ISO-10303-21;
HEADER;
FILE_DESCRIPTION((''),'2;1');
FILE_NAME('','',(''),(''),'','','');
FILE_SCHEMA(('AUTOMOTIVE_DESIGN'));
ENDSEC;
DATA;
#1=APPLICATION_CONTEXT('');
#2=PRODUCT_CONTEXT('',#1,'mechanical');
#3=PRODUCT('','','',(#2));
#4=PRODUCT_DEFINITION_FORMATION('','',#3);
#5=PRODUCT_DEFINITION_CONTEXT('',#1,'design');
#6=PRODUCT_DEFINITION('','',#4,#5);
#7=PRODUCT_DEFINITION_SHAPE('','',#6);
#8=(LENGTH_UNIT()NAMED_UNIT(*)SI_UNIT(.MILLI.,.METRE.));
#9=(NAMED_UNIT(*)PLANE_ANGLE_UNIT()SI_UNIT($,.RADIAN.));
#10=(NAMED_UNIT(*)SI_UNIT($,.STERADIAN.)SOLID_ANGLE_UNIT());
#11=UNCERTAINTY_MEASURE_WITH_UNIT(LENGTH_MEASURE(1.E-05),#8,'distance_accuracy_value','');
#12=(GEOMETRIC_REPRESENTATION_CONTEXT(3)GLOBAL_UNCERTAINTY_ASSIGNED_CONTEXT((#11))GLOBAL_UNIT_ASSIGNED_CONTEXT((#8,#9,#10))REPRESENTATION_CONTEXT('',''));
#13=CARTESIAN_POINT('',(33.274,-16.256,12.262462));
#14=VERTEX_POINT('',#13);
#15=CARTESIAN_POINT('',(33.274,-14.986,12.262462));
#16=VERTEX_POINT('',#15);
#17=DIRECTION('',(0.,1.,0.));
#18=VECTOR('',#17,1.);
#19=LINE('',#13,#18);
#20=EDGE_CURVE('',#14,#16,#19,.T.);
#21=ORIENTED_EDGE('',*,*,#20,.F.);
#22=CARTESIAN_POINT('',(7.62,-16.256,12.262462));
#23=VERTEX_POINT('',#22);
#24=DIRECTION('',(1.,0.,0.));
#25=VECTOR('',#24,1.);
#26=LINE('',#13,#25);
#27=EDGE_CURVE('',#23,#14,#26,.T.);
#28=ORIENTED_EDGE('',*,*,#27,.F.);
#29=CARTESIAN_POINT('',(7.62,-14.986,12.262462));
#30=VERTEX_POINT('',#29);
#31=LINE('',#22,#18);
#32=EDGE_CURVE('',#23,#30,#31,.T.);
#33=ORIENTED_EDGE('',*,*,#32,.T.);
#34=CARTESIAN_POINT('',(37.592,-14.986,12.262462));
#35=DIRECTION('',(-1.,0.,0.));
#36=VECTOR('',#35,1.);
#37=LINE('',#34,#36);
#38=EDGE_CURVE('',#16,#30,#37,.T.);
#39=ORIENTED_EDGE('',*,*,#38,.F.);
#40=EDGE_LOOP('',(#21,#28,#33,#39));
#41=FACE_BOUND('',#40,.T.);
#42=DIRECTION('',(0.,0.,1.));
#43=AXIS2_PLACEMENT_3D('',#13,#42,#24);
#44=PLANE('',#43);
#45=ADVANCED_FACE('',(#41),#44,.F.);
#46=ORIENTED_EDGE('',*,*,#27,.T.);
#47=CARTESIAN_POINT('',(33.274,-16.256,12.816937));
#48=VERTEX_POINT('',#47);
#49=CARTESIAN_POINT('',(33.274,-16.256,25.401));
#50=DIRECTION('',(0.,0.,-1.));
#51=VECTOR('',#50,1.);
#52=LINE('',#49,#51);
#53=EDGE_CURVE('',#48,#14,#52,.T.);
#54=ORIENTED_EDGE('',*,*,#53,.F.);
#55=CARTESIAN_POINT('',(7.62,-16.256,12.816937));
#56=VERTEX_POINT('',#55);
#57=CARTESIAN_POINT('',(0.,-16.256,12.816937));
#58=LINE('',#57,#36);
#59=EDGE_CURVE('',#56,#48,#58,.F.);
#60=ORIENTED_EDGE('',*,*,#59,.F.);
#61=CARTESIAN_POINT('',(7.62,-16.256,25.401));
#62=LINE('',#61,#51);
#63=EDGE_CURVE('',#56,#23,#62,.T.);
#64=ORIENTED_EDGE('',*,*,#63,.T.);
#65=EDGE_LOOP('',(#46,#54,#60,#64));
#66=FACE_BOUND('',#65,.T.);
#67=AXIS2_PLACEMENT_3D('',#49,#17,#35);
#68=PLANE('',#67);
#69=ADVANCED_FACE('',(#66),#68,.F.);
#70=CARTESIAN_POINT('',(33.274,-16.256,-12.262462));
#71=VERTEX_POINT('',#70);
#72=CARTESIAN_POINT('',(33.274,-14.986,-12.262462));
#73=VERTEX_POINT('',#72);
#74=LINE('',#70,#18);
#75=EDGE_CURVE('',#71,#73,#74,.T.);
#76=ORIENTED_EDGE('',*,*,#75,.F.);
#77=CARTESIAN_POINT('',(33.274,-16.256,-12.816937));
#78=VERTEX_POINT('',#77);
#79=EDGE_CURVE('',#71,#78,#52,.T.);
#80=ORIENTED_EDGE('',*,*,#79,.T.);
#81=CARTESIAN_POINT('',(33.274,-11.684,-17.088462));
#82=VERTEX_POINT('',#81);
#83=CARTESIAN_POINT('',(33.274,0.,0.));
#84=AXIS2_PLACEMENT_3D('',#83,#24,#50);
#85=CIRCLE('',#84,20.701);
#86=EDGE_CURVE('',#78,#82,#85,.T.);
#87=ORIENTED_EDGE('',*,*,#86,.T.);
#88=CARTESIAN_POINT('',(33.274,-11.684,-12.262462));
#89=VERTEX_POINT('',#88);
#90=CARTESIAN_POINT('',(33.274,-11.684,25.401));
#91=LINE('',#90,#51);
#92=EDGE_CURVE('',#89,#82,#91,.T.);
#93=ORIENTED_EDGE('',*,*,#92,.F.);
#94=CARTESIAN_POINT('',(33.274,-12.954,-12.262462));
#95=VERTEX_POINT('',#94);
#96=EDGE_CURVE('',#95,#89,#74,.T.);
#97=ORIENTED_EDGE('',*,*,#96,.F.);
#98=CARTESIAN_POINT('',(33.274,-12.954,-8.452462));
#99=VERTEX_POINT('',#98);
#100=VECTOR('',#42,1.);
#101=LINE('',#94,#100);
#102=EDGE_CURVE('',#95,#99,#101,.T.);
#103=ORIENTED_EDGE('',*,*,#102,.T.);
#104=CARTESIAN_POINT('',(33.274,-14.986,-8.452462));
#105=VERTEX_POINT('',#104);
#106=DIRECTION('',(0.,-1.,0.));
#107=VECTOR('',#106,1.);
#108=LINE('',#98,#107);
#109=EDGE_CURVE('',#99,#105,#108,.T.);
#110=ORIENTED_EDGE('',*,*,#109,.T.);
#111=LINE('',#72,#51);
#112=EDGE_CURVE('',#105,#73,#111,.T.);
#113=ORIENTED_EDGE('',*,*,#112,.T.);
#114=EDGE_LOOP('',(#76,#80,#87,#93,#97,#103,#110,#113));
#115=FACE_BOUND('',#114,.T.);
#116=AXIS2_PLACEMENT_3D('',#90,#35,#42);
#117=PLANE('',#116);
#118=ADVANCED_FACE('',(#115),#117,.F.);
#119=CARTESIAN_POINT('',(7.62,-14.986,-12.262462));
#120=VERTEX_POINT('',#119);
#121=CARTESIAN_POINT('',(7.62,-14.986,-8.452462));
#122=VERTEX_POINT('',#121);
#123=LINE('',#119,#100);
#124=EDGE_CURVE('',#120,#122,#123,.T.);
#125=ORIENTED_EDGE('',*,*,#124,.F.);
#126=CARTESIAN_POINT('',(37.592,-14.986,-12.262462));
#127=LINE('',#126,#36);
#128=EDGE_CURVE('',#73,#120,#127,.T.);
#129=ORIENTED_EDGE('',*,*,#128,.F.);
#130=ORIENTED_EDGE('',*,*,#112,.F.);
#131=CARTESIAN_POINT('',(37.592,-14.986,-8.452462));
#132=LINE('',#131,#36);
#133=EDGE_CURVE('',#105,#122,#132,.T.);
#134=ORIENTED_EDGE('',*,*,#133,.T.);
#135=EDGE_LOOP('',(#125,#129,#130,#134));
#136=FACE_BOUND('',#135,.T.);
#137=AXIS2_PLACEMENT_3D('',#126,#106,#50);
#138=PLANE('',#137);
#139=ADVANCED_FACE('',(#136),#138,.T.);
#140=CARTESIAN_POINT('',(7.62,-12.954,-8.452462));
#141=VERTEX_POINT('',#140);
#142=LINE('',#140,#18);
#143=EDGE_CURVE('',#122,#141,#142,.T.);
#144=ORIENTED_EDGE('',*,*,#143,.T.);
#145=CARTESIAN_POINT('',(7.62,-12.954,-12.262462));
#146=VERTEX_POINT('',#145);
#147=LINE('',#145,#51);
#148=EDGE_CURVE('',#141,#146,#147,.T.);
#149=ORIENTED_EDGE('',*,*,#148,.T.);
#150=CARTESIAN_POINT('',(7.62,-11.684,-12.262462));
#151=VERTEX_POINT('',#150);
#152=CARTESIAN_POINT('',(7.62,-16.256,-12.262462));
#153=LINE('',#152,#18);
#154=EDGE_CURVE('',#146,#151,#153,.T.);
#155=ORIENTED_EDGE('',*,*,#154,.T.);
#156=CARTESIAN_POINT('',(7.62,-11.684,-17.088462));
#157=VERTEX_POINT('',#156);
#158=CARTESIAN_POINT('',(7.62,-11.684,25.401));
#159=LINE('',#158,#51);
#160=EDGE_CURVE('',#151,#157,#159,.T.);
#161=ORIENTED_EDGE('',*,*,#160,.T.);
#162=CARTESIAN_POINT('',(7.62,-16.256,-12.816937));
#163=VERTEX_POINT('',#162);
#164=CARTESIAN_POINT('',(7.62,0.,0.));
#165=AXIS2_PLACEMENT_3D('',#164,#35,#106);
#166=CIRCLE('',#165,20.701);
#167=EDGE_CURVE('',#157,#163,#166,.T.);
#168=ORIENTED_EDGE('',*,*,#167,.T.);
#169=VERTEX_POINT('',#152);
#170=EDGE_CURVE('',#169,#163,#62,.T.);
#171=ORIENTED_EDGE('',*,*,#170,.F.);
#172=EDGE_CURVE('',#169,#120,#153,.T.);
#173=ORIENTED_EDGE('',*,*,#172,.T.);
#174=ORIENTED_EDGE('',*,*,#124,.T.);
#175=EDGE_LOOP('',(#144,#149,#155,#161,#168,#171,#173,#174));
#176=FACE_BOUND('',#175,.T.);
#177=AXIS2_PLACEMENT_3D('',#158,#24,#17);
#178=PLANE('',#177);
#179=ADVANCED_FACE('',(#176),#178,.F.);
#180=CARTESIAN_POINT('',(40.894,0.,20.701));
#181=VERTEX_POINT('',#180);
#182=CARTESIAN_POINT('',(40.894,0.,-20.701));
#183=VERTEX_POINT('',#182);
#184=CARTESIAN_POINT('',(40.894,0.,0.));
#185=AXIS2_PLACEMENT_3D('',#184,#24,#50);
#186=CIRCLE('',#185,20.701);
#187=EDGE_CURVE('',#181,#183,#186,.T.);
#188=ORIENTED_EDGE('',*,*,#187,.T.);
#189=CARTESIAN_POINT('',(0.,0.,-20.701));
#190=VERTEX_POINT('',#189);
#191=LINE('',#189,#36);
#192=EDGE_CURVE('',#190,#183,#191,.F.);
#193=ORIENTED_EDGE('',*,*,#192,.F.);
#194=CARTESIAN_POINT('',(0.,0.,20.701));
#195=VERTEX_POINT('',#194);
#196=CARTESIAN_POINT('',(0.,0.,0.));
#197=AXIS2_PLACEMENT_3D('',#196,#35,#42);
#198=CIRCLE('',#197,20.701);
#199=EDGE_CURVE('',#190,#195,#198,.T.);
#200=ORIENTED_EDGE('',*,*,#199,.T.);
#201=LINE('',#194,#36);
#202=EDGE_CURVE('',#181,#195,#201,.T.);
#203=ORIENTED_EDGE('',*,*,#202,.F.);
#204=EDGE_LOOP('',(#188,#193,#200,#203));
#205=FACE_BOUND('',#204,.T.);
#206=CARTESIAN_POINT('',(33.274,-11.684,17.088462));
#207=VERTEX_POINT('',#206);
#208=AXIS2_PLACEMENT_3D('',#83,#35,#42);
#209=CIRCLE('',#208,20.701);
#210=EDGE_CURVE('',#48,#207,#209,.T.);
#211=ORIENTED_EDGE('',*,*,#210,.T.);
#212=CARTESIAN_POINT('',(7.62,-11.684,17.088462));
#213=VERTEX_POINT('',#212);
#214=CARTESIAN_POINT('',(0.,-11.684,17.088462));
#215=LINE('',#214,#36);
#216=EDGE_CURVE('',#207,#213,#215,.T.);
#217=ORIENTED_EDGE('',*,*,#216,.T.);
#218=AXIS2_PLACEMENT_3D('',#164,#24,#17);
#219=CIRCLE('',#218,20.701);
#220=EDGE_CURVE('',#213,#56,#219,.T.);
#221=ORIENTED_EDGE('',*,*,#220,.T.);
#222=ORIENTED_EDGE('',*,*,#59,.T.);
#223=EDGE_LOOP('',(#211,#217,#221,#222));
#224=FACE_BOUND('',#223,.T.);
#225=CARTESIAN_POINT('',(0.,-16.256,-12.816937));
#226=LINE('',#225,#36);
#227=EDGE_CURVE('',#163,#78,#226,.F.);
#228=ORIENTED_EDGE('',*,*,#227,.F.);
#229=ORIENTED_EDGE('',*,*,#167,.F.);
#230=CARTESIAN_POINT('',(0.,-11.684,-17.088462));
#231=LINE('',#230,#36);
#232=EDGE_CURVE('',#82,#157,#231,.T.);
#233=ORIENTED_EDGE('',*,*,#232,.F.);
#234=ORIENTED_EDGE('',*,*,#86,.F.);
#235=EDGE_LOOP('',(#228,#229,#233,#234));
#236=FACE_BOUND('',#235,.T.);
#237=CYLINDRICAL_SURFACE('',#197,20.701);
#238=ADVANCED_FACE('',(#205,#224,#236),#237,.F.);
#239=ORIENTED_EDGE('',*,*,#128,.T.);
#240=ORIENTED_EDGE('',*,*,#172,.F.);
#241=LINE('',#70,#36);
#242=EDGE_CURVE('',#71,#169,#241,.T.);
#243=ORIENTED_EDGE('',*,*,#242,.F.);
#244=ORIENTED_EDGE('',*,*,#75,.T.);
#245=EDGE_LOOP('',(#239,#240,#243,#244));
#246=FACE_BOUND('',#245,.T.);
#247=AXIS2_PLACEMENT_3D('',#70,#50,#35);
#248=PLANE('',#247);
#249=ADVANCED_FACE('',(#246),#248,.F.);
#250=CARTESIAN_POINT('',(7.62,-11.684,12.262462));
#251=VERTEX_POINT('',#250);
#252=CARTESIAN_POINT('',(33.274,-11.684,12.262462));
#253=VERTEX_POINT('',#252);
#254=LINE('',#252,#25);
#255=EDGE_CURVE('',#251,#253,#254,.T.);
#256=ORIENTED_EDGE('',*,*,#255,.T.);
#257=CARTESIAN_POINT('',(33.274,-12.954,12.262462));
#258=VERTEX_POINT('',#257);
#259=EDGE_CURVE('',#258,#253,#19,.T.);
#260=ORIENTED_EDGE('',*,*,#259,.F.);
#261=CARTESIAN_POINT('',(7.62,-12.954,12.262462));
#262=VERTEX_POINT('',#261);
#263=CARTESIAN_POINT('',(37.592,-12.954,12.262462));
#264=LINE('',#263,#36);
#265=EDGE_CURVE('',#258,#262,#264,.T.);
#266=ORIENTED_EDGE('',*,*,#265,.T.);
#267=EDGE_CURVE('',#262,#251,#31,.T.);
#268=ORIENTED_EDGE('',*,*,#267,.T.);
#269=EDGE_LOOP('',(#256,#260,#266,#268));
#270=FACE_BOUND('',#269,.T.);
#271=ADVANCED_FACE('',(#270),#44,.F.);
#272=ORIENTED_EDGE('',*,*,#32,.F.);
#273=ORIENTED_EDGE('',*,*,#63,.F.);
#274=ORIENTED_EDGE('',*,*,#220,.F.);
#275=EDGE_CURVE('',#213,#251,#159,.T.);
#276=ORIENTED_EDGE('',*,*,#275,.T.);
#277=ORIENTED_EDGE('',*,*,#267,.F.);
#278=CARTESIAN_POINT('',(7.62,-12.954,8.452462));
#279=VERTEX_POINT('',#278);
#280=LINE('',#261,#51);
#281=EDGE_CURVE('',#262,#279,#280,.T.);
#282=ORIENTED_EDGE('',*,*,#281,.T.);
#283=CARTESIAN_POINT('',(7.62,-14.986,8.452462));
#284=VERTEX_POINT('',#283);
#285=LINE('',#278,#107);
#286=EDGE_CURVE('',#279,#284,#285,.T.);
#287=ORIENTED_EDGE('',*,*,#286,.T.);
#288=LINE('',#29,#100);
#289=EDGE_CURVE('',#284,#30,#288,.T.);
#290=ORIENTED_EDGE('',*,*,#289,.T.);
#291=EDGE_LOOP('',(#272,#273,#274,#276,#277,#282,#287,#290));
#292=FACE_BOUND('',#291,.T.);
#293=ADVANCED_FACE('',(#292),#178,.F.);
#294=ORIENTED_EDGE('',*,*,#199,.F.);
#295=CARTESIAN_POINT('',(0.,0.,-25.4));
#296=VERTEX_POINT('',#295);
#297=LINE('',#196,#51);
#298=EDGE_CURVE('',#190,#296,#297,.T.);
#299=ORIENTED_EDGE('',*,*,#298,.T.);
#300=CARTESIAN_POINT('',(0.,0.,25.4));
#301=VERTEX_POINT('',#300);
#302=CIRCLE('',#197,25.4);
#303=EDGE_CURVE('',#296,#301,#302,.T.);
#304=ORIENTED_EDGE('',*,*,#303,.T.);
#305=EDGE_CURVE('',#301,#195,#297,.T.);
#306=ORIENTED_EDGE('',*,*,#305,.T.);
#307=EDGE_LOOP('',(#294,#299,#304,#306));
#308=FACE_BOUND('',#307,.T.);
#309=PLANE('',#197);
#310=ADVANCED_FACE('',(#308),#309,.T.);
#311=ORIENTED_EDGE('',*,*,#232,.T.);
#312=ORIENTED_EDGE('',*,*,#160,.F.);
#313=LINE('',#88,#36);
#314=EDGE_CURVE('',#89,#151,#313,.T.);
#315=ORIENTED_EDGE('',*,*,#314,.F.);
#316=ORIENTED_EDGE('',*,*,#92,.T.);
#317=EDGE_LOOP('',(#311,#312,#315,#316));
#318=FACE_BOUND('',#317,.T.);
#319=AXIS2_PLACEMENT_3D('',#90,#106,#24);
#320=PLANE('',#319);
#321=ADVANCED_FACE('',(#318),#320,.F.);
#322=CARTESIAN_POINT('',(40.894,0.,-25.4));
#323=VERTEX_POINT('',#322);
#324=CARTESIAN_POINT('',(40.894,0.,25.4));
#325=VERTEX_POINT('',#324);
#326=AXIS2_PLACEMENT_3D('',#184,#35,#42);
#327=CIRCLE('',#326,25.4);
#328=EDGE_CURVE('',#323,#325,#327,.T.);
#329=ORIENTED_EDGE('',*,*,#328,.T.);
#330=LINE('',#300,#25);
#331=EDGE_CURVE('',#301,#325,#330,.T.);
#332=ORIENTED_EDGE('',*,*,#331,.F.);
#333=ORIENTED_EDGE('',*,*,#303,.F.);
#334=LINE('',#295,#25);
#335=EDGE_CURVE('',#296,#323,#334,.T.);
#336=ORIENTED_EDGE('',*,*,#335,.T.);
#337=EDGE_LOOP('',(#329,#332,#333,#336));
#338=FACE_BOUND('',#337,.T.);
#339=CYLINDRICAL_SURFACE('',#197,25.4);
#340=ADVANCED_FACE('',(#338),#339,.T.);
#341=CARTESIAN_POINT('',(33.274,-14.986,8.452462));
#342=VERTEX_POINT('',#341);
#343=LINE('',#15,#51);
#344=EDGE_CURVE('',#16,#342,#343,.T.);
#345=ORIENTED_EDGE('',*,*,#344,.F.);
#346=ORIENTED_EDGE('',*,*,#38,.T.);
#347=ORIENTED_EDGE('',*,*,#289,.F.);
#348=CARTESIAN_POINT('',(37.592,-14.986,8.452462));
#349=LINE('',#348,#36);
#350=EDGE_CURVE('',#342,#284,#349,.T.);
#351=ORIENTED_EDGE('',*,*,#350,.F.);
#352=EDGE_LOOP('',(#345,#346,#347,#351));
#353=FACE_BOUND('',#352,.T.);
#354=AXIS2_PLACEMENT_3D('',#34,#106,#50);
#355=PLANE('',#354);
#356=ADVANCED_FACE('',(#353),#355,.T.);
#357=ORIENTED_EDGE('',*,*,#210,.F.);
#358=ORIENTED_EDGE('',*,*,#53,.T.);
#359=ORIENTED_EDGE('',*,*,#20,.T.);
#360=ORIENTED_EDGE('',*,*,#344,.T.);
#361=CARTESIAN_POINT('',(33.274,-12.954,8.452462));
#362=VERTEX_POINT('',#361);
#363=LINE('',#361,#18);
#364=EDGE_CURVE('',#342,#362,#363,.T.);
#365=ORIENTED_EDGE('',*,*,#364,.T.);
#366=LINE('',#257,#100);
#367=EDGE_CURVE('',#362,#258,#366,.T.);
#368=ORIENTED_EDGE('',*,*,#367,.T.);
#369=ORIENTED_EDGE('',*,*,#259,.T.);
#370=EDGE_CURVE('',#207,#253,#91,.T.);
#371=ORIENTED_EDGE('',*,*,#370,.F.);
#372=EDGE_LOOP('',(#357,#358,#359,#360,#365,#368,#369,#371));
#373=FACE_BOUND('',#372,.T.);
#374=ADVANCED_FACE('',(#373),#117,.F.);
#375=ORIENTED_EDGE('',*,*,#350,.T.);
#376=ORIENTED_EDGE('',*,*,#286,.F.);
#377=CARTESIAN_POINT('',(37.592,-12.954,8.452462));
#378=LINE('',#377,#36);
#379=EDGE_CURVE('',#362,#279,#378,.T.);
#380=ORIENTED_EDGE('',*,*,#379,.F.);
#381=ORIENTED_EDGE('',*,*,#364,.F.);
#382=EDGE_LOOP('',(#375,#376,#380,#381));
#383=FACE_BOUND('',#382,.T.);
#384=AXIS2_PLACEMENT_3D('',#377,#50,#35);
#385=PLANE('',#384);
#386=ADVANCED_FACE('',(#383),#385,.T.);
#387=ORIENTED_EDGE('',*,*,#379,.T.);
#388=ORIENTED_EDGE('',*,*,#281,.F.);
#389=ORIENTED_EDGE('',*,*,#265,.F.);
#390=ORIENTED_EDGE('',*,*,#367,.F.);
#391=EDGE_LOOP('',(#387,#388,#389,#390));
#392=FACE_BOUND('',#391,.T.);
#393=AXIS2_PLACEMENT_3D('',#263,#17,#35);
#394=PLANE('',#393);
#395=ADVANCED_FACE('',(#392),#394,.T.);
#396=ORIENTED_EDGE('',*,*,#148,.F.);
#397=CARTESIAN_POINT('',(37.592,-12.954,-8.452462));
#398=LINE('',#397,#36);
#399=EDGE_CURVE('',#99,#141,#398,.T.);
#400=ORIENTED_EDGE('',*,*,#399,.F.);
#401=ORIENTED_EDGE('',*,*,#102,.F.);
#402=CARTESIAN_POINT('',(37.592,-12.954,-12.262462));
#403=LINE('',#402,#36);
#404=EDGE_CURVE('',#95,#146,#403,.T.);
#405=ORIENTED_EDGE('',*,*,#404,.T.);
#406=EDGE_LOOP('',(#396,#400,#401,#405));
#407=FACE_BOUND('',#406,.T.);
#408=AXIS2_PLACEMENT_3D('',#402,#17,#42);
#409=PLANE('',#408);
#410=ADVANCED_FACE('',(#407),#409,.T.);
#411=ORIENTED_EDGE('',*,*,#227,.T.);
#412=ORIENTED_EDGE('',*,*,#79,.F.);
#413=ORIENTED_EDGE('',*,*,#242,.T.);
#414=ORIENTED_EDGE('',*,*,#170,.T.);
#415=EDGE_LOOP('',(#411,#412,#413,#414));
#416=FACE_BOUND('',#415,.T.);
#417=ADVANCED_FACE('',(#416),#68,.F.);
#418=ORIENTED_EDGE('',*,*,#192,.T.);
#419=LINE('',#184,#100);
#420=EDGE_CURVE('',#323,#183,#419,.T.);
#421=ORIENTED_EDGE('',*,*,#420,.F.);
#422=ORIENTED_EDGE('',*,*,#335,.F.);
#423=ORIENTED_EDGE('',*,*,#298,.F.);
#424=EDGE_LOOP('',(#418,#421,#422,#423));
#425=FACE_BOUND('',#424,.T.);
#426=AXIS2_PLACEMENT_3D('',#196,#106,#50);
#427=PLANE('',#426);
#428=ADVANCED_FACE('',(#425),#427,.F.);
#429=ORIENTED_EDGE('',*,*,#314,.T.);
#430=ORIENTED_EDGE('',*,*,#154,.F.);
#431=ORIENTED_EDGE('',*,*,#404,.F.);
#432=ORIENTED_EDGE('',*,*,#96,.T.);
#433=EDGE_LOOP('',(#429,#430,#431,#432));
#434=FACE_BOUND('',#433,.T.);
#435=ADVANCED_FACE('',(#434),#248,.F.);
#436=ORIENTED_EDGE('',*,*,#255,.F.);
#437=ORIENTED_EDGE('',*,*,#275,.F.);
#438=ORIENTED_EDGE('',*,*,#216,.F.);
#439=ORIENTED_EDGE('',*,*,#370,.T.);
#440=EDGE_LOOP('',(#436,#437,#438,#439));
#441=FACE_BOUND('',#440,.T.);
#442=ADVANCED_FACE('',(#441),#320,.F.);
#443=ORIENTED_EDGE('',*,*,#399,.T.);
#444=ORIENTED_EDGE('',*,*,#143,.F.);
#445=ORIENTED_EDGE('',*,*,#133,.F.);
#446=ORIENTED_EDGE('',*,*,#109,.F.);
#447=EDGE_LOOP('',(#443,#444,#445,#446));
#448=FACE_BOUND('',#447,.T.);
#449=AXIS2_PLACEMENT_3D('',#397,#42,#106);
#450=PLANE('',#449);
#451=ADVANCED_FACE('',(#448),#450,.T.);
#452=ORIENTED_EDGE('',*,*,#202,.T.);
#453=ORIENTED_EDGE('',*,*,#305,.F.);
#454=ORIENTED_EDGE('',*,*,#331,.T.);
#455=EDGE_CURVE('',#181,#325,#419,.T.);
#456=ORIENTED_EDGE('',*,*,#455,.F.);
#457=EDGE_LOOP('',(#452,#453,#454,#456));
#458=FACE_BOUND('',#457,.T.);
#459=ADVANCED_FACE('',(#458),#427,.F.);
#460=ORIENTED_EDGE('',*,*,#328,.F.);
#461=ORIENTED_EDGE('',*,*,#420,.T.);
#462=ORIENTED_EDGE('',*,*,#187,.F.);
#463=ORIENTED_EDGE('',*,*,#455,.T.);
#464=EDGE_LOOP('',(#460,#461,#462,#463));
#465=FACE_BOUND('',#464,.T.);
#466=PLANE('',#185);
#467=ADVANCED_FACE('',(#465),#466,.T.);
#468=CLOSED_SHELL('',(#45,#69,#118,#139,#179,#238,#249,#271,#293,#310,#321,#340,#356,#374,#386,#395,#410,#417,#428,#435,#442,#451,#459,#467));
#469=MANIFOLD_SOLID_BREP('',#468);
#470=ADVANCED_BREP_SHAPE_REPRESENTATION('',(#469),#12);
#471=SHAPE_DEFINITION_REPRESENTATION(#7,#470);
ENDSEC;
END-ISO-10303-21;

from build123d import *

# Parameters (mm, degrees)
SKETCH1_W                       = 40.894
SKETCH1_H                       = 25.4
REVOLVE1_ANGLE                  = 180
BOSS_EXTRUDE1_REACH             = 27.4
SKETCH3_W                       = 25.654
SKETCH3_H                       = 4.572
BOSS_EXTRUDE1_DIRECTION_2_REACH = 27.4
SKETCH4_W                       = 25.654
SKETCH4_H                       = 24.524924672
CUT_EXTRUDE1_DEPTH              = 4.572
SKETCH5_W                       = 3.81
SKETCH5_H                       = 2.032
BOSS_EXTRUDE2_DEPTH             = 25.654


with BuildPart() as part:
    # Sketch1 → Revolve1 (revolve)
    with BuildSketch(Plane(origin=(0, 0, 0), x_dir=(1, 0, 0), z_dir=(0, 1, 0))):
        with Locations((20.447, -12.7)):
            Rectangle(SKETCH1_W, SKETCH1_H)
    revolve(axis=Axis((0, 0, 0), (1, 0, 0)), revolution_arc=REVOLVE1_ANGLE)

    # Sketch2 → Cut-Revolve1 (revolve, cut)
    with BuildSketch(Plane(origin=(0, 0, 0), x_dir=(1, 0, 0), z_dir=(0, 1, 0))):
        Polygon((0, 0), (41.402, 0), (41.402, -20.701), (40.132, -20.701), (1.27, -20.701), (0, -20.701), align=None)
    revolve(axis=Axis((0, 0, 0), (1, 0, 0)), mode=Mode.SUBTRACT)

    # Sketch3 → Boss-Extrude1 (add, up to next)
    with BuildSketch(Plane.XY, mode=Mode.PRIVATE) as boss_extrude1_sk1:
        with Locations((20.447, -13.97)):
            Rectangle(SKETCH3_W, SKETCH3_H)
    boss_extrude1_tool1 = extrude(boss_extrude1_sk1.sketch, amount=BOSS_EXTRUDE1_REACH, mode=Mode.PRIVATE) - part.part
    add(boss_extrude1_tool1.solids().sort_by_distance((20.447, -13.97, 0))[0])

    # Sketch3 → Boss-Extrude1 direction 2 (add, up to next)
    with BuildSketch(Plane.XY, mode=Mode.PRIVATE) as boss_extrude1_direction_2_sk1:
        with Locations((20.447, -13.97)):
            Rectangle(SKETCH3_W, SKETCH3_H)
    boss_extrude1_direction_2_tool1 = extrude(boss_extrude1_direction_2_sk1.sketch, amount=-BOSS_EXTRUDE1_DIRECTION_2_REACH, mode=Mode.PRIVATE) - part.part
    add(boss_extrude1_direction_2_tool1.solids().sort_by_distance((20.447, -13.97, 0))[0])

    # Sketch4 → Cut-Extrude1 (cut)
    with BuildSketch(Plane(origin=(0, -11.684, 0), x_dir=(1, 0, 0), z_dir=(0, 1, 0))):
        with Locations((20.447, 0)):
            Rectangle(SKETCH4_W, SKETCH4_H)
    extrude(amount=-CUT_EXTRUDE1_DEPTH, mode=Mode.SUBTRACT)

    # Sketch5 → Boss-Extrude2 (add)
    with BuildSketch(Plane.ZY.offset(-7.62)):
        with Locations((-10.357462336, -13.97)):
            Rectangle(SKETCH5_W, SKETCH5_H)
        with Locations((10.357462336, -13.97)):
            Rectangle(SKETCH5_W, SKETCH5_H)
    extrude(amount=-BOSS_EXTRUDE2_DEPTH)


solid = part.part
